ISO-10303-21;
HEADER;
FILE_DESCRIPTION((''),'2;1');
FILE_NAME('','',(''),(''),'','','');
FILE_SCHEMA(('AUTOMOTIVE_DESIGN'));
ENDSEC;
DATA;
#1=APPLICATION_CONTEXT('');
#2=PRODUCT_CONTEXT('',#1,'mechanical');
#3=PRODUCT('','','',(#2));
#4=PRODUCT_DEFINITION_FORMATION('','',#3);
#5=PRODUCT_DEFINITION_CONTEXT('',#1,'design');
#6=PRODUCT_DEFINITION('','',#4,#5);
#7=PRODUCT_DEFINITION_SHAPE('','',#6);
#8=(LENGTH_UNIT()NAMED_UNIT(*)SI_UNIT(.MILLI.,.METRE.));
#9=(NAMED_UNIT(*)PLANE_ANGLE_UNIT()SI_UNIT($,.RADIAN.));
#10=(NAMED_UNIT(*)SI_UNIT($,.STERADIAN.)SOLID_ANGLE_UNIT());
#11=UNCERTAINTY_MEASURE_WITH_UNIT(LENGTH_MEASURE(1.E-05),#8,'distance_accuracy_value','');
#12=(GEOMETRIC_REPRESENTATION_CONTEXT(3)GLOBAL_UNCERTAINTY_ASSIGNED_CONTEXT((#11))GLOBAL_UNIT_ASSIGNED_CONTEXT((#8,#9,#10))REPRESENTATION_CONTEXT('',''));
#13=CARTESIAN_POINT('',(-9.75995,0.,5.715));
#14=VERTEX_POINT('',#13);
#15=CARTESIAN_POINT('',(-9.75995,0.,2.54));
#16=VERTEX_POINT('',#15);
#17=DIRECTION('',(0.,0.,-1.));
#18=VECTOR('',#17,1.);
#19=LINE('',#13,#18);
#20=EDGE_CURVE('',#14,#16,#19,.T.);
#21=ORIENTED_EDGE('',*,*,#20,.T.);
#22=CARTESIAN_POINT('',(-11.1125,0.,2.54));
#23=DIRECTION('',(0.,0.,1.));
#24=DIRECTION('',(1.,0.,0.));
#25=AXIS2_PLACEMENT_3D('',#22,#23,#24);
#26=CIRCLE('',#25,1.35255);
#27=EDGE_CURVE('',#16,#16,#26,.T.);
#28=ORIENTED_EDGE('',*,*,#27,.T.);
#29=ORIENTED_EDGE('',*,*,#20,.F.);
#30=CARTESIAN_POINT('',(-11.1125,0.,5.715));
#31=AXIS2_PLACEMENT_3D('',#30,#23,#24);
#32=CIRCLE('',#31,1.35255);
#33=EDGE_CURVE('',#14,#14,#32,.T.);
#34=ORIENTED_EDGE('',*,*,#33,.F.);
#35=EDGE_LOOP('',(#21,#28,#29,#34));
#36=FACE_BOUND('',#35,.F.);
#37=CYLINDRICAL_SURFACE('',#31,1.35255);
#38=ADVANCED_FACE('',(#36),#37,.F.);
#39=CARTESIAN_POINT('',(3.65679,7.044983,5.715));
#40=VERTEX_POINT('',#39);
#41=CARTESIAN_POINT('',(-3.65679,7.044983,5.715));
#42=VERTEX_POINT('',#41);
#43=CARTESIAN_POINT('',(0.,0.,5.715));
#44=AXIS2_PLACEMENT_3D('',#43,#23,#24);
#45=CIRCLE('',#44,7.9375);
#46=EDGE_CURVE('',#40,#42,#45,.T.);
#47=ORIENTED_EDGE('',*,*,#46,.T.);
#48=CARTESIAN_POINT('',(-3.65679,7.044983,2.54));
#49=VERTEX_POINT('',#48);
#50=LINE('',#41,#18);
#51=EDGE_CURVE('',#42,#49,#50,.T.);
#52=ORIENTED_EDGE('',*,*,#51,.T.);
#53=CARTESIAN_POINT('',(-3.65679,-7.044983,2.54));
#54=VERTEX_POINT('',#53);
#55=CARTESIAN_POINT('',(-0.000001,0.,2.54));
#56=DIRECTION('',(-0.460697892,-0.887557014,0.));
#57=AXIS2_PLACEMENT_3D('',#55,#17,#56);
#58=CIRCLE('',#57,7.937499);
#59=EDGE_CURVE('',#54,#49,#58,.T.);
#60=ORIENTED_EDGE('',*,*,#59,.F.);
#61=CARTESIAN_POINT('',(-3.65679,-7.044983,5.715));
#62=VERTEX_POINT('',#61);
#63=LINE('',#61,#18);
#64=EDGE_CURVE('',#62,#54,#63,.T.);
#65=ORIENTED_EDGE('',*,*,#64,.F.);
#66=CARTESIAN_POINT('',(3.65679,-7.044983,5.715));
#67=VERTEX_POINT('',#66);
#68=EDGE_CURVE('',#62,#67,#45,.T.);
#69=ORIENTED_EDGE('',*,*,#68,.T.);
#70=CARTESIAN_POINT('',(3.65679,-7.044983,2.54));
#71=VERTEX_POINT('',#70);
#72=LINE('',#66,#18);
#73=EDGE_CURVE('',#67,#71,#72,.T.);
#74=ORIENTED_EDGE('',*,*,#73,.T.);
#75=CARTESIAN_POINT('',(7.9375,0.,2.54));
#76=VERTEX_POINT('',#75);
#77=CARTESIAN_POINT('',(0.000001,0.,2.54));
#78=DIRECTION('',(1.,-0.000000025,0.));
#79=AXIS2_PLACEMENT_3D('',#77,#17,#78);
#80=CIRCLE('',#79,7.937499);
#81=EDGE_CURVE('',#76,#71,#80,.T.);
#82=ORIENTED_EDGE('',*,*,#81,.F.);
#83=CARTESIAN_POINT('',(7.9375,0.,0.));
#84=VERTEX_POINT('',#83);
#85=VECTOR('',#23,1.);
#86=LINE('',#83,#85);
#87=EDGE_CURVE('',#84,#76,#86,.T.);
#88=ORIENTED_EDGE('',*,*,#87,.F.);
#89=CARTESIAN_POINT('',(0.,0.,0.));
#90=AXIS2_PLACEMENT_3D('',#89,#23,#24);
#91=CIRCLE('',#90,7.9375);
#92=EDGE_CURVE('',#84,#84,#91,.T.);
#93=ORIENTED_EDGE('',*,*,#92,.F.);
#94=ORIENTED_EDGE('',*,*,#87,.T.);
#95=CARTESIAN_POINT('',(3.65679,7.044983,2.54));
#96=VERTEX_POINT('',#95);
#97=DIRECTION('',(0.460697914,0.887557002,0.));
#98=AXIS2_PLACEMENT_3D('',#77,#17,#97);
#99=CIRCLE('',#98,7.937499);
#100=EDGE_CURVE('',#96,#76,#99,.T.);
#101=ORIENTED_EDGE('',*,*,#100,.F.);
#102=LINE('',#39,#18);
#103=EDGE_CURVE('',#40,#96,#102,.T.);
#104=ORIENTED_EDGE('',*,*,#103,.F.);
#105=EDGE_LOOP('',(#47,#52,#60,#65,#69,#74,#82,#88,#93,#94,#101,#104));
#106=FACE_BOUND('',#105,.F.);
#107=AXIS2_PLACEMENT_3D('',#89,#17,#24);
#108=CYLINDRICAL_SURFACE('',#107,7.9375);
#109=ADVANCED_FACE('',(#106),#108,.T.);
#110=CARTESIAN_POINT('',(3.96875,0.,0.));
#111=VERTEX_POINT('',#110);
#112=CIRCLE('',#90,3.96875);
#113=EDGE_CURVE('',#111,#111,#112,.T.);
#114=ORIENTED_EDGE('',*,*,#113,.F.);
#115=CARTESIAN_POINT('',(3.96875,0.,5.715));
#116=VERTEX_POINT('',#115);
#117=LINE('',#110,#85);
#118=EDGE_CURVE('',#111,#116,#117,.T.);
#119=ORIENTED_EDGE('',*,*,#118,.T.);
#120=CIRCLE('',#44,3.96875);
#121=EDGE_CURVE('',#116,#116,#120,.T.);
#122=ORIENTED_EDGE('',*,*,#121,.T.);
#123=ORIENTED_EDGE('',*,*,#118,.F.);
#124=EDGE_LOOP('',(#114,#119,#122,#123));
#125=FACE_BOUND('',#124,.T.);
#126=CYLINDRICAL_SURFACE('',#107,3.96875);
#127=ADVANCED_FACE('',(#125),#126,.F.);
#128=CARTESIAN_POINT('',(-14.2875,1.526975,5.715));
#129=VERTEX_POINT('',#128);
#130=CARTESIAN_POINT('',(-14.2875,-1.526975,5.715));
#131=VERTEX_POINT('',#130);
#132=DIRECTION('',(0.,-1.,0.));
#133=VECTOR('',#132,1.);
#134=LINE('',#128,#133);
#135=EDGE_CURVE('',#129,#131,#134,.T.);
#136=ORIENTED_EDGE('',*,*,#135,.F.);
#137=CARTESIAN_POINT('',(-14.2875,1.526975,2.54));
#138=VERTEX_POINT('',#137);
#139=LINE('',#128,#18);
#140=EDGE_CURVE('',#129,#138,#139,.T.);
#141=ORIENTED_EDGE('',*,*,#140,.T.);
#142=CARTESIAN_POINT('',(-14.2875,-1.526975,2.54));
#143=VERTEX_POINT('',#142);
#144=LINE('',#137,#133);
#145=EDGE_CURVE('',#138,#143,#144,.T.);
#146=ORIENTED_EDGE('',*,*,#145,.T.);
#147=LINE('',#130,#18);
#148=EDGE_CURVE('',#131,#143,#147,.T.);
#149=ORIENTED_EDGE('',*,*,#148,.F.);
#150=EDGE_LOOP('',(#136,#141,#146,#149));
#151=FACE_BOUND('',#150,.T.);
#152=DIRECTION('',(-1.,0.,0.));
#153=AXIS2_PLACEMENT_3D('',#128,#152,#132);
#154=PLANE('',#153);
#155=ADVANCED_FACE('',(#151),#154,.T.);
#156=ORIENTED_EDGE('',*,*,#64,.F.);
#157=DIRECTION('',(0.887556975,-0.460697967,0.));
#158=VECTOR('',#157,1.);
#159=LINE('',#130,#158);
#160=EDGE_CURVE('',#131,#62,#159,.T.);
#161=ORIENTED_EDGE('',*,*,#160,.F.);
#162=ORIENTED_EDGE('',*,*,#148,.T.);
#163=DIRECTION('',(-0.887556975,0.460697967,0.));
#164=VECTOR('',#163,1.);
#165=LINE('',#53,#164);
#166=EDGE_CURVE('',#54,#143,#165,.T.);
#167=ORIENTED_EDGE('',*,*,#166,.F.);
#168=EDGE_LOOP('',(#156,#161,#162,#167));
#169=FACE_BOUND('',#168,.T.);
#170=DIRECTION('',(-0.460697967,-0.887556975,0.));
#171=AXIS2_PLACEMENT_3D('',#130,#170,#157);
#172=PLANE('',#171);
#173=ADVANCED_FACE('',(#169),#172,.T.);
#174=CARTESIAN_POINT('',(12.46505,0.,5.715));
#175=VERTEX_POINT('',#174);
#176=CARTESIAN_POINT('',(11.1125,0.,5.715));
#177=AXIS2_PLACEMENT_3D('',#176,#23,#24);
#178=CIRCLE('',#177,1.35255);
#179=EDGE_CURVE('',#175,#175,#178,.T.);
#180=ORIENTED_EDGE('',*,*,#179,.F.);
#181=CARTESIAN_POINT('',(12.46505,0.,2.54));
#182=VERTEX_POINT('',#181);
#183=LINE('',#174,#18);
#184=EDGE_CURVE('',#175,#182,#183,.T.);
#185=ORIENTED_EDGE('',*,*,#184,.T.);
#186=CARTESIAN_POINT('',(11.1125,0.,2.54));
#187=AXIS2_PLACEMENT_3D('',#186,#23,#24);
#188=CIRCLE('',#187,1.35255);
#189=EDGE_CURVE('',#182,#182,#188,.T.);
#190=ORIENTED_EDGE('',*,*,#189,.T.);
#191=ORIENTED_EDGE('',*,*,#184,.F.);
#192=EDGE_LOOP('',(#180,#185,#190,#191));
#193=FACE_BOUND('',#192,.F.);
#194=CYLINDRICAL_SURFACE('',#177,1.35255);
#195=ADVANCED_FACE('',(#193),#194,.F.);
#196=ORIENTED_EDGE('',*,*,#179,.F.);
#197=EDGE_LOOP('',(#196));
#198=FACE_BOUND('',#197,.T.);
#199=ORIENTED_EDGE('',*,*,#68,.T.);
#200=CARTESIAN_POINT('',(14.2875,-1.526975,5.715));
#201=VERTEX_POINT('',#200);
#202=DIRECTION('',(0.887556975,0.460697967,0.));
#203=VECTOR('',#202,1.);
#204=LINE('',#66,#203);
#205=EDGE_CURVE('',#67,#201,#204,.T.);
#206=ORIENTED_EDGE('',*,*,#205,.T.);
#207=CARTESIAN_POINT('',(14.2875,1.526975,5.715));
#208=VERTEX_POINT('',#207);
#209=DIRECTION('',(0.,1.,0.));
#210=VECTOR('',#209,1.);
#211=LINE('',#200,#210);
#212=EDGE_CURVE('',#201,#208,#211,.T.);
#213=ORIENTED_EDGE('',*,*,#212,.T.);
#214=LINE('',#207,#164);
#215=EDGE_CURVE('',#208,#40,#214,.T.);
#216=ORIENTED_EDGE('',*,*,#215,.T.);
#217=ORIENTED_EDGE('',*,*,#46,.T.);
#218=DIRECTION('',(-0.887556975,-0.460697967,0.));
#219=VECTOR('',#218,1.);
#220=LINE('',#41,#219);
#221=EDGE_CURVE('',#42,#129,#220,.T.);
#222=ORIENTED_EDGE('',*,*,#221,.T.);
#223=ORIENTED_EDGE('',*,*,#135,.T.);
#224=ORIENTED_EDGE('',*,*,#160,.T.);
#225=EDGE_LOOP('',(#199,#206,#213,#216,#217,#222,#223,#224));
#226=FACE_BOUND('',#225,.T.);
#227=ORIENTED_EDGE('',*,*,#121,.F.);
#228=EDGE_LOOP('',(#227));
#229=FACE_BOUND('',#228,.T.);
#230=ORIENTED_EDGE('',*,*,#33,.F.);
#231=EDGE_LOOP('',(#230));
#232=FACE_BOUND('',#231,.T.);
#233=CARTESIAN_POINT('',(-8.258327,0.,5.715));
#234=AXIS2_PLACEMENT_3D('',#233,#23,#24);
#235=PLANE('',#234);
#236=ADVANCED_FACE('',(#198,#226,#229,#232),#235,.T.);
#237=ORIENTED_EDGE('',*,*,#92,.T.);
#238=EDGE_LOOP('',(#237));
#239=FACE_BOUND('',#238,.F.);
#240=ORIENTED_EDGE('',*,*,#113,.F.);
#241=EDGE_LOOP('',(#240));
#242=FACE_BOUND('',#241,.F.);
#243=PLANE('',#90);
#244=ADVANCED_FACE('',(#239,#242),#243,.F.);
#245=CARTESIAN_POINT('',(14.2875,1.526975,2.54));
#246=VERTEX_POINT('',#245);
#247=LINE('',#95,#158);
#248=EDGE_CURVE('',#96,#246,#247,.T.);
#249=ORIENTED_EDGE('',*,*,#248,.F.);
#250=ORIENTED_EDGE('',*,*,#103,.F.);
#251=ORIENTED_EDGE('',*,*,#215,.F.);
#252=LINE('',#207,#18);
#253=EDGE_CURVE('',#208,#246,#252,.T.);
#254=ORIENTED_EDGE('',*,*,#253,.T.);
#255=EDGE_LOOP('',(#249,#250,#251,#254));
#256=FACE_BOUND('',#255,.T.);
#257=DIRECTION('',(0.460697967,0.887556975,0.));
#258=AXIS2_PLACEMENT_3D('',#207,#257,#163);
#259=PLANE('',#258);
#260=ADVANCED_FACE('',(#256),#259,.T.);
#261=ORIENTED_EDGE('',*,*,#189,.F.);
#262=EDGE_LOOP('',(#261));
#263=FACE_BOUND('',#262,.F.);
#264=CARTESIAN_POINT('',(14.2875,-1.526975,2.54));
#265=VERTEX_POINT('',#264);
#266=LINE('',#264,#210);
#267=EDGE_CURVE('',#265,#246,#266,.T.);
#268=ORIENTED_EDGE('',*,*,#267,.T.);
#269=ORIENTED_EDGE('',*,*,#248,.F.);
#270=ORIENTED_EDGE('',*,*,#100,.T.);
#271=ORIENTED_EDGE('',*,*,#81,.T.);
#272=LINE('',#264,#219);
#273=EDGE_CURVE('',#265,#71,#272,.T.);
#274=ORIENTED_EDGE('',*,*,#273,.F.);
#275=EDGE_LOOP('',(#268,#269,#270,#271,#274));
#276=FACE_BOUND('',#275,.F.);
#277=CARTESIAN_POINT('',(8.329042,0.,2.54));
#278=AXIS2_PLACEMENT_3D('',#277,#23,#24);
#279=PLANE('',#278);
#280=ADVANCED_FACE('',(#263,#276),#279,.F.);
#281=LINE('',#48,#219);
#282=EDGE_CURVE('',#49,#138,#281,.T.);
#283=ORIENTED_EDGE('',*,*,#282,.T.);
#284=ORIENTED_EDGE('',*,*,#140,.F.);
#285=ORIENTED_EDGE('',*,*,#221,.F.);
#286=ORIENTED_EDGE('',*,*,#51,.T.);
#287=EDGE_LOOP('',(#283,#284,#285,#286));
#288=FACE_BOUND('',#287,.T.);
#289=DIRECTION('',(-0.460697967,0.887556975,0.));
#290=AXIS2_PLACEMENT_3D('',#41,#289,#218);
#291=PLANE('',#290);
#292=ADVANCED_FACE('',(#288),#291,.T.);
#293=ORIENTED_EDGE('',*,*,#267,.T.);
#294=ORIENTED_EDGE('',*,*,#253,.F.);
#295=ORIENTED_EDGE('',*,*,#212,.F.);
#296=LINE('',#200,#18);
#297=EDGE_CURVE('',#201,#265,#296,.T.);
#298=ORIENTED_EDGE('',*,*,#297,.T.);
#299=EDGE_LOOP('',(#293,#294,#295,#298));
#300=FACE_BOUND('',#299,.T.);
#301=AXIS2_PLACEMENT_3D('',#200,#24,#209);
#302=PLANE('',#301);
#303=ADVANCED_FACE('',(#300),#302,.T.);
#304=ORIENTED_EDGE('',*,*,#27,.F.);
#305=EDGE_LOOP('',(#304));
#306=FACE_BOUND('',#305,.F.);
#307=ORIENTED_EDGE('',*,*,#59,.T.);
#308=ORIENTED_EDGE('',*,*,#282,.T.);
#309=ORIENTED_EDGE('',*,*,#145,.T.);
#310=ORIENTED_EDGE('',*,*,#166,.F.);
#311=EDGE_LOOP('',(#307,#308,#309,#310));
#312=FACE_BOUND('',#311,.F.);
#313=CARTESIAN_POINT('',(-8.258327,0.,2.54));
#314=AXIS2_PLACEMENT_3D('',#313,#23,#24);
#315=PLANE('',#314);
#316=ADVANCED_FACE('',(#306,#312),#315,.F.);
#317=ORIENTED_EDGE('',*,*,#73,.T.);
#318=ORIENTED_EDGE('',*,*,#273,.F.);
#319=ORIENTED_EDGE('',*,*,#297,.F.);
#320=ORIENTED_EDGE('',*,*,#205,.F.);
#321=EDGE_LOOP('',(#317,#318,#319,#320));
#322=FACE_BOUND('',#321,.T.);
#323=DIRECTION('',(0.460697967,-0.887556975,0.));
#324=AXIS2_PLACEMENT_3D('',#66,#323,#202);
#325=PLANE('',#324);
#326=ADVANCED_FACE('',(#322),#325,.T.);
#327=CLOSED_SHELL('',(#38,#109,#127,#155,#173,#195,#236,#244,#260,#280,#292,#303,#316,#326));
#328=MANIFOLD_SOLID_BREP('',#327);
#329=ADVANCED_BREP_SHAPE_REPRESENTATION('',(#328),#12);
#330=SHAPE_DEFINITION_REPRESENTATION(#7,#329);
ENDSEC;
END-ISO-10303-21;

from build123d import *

# Parameters (mm, degrees)
F0_R     = 7.9375
F0_R_2   = 3.96875
F1_DEPTH = 5.715
F2_R     = 1.35255
F3_DEPTH = 3.175


with BuildPart() as f1:
    # F0 (on Top) → F1 (new body)
    with BuildSketch(Plane.XY):
        Circle(F0_R)
        Circle(F0_R_2, mode=Mode.SUBTRACT)
    extrude(amount=F1_DEPTH)

    # F2 (on face) → F3 (join)
    with BuildSketch(Plane.XY.offset(5.715)):
        with BuildLine():
            Line((-3.65679, 7.044983), (-14.2875, 1.526975))
            Line((-14.2875, 1.526975), (-14.2875, -1.526975))
            Line((-14.2875, -1.526975), (-3.65679, -7.044983))
            ThreePointArc((-3.65679, -7.044983), (-7.9375, 0), (-3.65679, 7.044983))
        make_face()
        with Locations((-11.1125, 0)):
            Circle(F2_R, mode=Mode.SUBTRACT)
        with BuildLine():
            Line((14.2875, 1.526975), (3.65679, 7.044983))
            ThreePointArc((3.65679, 7.044983), (6.783424, 4.121779), (7.9375, 0))
            ThreePointArc((7.9375, 0), (6.783424, -4.121779), (3.65679, -7.044983))
            Line((3.65679, -7.044983), (14.2875, -1.526975))
            Line((14.2875, -1.526975), (14.2875, 1.526975))
        make_face()
        with Locations((11.1125, 0)):
            Circle(F2_R, mode=Mode.SUBTRACT)
    extrude(amount=-F3_DEPTH)


solid = f1.part
